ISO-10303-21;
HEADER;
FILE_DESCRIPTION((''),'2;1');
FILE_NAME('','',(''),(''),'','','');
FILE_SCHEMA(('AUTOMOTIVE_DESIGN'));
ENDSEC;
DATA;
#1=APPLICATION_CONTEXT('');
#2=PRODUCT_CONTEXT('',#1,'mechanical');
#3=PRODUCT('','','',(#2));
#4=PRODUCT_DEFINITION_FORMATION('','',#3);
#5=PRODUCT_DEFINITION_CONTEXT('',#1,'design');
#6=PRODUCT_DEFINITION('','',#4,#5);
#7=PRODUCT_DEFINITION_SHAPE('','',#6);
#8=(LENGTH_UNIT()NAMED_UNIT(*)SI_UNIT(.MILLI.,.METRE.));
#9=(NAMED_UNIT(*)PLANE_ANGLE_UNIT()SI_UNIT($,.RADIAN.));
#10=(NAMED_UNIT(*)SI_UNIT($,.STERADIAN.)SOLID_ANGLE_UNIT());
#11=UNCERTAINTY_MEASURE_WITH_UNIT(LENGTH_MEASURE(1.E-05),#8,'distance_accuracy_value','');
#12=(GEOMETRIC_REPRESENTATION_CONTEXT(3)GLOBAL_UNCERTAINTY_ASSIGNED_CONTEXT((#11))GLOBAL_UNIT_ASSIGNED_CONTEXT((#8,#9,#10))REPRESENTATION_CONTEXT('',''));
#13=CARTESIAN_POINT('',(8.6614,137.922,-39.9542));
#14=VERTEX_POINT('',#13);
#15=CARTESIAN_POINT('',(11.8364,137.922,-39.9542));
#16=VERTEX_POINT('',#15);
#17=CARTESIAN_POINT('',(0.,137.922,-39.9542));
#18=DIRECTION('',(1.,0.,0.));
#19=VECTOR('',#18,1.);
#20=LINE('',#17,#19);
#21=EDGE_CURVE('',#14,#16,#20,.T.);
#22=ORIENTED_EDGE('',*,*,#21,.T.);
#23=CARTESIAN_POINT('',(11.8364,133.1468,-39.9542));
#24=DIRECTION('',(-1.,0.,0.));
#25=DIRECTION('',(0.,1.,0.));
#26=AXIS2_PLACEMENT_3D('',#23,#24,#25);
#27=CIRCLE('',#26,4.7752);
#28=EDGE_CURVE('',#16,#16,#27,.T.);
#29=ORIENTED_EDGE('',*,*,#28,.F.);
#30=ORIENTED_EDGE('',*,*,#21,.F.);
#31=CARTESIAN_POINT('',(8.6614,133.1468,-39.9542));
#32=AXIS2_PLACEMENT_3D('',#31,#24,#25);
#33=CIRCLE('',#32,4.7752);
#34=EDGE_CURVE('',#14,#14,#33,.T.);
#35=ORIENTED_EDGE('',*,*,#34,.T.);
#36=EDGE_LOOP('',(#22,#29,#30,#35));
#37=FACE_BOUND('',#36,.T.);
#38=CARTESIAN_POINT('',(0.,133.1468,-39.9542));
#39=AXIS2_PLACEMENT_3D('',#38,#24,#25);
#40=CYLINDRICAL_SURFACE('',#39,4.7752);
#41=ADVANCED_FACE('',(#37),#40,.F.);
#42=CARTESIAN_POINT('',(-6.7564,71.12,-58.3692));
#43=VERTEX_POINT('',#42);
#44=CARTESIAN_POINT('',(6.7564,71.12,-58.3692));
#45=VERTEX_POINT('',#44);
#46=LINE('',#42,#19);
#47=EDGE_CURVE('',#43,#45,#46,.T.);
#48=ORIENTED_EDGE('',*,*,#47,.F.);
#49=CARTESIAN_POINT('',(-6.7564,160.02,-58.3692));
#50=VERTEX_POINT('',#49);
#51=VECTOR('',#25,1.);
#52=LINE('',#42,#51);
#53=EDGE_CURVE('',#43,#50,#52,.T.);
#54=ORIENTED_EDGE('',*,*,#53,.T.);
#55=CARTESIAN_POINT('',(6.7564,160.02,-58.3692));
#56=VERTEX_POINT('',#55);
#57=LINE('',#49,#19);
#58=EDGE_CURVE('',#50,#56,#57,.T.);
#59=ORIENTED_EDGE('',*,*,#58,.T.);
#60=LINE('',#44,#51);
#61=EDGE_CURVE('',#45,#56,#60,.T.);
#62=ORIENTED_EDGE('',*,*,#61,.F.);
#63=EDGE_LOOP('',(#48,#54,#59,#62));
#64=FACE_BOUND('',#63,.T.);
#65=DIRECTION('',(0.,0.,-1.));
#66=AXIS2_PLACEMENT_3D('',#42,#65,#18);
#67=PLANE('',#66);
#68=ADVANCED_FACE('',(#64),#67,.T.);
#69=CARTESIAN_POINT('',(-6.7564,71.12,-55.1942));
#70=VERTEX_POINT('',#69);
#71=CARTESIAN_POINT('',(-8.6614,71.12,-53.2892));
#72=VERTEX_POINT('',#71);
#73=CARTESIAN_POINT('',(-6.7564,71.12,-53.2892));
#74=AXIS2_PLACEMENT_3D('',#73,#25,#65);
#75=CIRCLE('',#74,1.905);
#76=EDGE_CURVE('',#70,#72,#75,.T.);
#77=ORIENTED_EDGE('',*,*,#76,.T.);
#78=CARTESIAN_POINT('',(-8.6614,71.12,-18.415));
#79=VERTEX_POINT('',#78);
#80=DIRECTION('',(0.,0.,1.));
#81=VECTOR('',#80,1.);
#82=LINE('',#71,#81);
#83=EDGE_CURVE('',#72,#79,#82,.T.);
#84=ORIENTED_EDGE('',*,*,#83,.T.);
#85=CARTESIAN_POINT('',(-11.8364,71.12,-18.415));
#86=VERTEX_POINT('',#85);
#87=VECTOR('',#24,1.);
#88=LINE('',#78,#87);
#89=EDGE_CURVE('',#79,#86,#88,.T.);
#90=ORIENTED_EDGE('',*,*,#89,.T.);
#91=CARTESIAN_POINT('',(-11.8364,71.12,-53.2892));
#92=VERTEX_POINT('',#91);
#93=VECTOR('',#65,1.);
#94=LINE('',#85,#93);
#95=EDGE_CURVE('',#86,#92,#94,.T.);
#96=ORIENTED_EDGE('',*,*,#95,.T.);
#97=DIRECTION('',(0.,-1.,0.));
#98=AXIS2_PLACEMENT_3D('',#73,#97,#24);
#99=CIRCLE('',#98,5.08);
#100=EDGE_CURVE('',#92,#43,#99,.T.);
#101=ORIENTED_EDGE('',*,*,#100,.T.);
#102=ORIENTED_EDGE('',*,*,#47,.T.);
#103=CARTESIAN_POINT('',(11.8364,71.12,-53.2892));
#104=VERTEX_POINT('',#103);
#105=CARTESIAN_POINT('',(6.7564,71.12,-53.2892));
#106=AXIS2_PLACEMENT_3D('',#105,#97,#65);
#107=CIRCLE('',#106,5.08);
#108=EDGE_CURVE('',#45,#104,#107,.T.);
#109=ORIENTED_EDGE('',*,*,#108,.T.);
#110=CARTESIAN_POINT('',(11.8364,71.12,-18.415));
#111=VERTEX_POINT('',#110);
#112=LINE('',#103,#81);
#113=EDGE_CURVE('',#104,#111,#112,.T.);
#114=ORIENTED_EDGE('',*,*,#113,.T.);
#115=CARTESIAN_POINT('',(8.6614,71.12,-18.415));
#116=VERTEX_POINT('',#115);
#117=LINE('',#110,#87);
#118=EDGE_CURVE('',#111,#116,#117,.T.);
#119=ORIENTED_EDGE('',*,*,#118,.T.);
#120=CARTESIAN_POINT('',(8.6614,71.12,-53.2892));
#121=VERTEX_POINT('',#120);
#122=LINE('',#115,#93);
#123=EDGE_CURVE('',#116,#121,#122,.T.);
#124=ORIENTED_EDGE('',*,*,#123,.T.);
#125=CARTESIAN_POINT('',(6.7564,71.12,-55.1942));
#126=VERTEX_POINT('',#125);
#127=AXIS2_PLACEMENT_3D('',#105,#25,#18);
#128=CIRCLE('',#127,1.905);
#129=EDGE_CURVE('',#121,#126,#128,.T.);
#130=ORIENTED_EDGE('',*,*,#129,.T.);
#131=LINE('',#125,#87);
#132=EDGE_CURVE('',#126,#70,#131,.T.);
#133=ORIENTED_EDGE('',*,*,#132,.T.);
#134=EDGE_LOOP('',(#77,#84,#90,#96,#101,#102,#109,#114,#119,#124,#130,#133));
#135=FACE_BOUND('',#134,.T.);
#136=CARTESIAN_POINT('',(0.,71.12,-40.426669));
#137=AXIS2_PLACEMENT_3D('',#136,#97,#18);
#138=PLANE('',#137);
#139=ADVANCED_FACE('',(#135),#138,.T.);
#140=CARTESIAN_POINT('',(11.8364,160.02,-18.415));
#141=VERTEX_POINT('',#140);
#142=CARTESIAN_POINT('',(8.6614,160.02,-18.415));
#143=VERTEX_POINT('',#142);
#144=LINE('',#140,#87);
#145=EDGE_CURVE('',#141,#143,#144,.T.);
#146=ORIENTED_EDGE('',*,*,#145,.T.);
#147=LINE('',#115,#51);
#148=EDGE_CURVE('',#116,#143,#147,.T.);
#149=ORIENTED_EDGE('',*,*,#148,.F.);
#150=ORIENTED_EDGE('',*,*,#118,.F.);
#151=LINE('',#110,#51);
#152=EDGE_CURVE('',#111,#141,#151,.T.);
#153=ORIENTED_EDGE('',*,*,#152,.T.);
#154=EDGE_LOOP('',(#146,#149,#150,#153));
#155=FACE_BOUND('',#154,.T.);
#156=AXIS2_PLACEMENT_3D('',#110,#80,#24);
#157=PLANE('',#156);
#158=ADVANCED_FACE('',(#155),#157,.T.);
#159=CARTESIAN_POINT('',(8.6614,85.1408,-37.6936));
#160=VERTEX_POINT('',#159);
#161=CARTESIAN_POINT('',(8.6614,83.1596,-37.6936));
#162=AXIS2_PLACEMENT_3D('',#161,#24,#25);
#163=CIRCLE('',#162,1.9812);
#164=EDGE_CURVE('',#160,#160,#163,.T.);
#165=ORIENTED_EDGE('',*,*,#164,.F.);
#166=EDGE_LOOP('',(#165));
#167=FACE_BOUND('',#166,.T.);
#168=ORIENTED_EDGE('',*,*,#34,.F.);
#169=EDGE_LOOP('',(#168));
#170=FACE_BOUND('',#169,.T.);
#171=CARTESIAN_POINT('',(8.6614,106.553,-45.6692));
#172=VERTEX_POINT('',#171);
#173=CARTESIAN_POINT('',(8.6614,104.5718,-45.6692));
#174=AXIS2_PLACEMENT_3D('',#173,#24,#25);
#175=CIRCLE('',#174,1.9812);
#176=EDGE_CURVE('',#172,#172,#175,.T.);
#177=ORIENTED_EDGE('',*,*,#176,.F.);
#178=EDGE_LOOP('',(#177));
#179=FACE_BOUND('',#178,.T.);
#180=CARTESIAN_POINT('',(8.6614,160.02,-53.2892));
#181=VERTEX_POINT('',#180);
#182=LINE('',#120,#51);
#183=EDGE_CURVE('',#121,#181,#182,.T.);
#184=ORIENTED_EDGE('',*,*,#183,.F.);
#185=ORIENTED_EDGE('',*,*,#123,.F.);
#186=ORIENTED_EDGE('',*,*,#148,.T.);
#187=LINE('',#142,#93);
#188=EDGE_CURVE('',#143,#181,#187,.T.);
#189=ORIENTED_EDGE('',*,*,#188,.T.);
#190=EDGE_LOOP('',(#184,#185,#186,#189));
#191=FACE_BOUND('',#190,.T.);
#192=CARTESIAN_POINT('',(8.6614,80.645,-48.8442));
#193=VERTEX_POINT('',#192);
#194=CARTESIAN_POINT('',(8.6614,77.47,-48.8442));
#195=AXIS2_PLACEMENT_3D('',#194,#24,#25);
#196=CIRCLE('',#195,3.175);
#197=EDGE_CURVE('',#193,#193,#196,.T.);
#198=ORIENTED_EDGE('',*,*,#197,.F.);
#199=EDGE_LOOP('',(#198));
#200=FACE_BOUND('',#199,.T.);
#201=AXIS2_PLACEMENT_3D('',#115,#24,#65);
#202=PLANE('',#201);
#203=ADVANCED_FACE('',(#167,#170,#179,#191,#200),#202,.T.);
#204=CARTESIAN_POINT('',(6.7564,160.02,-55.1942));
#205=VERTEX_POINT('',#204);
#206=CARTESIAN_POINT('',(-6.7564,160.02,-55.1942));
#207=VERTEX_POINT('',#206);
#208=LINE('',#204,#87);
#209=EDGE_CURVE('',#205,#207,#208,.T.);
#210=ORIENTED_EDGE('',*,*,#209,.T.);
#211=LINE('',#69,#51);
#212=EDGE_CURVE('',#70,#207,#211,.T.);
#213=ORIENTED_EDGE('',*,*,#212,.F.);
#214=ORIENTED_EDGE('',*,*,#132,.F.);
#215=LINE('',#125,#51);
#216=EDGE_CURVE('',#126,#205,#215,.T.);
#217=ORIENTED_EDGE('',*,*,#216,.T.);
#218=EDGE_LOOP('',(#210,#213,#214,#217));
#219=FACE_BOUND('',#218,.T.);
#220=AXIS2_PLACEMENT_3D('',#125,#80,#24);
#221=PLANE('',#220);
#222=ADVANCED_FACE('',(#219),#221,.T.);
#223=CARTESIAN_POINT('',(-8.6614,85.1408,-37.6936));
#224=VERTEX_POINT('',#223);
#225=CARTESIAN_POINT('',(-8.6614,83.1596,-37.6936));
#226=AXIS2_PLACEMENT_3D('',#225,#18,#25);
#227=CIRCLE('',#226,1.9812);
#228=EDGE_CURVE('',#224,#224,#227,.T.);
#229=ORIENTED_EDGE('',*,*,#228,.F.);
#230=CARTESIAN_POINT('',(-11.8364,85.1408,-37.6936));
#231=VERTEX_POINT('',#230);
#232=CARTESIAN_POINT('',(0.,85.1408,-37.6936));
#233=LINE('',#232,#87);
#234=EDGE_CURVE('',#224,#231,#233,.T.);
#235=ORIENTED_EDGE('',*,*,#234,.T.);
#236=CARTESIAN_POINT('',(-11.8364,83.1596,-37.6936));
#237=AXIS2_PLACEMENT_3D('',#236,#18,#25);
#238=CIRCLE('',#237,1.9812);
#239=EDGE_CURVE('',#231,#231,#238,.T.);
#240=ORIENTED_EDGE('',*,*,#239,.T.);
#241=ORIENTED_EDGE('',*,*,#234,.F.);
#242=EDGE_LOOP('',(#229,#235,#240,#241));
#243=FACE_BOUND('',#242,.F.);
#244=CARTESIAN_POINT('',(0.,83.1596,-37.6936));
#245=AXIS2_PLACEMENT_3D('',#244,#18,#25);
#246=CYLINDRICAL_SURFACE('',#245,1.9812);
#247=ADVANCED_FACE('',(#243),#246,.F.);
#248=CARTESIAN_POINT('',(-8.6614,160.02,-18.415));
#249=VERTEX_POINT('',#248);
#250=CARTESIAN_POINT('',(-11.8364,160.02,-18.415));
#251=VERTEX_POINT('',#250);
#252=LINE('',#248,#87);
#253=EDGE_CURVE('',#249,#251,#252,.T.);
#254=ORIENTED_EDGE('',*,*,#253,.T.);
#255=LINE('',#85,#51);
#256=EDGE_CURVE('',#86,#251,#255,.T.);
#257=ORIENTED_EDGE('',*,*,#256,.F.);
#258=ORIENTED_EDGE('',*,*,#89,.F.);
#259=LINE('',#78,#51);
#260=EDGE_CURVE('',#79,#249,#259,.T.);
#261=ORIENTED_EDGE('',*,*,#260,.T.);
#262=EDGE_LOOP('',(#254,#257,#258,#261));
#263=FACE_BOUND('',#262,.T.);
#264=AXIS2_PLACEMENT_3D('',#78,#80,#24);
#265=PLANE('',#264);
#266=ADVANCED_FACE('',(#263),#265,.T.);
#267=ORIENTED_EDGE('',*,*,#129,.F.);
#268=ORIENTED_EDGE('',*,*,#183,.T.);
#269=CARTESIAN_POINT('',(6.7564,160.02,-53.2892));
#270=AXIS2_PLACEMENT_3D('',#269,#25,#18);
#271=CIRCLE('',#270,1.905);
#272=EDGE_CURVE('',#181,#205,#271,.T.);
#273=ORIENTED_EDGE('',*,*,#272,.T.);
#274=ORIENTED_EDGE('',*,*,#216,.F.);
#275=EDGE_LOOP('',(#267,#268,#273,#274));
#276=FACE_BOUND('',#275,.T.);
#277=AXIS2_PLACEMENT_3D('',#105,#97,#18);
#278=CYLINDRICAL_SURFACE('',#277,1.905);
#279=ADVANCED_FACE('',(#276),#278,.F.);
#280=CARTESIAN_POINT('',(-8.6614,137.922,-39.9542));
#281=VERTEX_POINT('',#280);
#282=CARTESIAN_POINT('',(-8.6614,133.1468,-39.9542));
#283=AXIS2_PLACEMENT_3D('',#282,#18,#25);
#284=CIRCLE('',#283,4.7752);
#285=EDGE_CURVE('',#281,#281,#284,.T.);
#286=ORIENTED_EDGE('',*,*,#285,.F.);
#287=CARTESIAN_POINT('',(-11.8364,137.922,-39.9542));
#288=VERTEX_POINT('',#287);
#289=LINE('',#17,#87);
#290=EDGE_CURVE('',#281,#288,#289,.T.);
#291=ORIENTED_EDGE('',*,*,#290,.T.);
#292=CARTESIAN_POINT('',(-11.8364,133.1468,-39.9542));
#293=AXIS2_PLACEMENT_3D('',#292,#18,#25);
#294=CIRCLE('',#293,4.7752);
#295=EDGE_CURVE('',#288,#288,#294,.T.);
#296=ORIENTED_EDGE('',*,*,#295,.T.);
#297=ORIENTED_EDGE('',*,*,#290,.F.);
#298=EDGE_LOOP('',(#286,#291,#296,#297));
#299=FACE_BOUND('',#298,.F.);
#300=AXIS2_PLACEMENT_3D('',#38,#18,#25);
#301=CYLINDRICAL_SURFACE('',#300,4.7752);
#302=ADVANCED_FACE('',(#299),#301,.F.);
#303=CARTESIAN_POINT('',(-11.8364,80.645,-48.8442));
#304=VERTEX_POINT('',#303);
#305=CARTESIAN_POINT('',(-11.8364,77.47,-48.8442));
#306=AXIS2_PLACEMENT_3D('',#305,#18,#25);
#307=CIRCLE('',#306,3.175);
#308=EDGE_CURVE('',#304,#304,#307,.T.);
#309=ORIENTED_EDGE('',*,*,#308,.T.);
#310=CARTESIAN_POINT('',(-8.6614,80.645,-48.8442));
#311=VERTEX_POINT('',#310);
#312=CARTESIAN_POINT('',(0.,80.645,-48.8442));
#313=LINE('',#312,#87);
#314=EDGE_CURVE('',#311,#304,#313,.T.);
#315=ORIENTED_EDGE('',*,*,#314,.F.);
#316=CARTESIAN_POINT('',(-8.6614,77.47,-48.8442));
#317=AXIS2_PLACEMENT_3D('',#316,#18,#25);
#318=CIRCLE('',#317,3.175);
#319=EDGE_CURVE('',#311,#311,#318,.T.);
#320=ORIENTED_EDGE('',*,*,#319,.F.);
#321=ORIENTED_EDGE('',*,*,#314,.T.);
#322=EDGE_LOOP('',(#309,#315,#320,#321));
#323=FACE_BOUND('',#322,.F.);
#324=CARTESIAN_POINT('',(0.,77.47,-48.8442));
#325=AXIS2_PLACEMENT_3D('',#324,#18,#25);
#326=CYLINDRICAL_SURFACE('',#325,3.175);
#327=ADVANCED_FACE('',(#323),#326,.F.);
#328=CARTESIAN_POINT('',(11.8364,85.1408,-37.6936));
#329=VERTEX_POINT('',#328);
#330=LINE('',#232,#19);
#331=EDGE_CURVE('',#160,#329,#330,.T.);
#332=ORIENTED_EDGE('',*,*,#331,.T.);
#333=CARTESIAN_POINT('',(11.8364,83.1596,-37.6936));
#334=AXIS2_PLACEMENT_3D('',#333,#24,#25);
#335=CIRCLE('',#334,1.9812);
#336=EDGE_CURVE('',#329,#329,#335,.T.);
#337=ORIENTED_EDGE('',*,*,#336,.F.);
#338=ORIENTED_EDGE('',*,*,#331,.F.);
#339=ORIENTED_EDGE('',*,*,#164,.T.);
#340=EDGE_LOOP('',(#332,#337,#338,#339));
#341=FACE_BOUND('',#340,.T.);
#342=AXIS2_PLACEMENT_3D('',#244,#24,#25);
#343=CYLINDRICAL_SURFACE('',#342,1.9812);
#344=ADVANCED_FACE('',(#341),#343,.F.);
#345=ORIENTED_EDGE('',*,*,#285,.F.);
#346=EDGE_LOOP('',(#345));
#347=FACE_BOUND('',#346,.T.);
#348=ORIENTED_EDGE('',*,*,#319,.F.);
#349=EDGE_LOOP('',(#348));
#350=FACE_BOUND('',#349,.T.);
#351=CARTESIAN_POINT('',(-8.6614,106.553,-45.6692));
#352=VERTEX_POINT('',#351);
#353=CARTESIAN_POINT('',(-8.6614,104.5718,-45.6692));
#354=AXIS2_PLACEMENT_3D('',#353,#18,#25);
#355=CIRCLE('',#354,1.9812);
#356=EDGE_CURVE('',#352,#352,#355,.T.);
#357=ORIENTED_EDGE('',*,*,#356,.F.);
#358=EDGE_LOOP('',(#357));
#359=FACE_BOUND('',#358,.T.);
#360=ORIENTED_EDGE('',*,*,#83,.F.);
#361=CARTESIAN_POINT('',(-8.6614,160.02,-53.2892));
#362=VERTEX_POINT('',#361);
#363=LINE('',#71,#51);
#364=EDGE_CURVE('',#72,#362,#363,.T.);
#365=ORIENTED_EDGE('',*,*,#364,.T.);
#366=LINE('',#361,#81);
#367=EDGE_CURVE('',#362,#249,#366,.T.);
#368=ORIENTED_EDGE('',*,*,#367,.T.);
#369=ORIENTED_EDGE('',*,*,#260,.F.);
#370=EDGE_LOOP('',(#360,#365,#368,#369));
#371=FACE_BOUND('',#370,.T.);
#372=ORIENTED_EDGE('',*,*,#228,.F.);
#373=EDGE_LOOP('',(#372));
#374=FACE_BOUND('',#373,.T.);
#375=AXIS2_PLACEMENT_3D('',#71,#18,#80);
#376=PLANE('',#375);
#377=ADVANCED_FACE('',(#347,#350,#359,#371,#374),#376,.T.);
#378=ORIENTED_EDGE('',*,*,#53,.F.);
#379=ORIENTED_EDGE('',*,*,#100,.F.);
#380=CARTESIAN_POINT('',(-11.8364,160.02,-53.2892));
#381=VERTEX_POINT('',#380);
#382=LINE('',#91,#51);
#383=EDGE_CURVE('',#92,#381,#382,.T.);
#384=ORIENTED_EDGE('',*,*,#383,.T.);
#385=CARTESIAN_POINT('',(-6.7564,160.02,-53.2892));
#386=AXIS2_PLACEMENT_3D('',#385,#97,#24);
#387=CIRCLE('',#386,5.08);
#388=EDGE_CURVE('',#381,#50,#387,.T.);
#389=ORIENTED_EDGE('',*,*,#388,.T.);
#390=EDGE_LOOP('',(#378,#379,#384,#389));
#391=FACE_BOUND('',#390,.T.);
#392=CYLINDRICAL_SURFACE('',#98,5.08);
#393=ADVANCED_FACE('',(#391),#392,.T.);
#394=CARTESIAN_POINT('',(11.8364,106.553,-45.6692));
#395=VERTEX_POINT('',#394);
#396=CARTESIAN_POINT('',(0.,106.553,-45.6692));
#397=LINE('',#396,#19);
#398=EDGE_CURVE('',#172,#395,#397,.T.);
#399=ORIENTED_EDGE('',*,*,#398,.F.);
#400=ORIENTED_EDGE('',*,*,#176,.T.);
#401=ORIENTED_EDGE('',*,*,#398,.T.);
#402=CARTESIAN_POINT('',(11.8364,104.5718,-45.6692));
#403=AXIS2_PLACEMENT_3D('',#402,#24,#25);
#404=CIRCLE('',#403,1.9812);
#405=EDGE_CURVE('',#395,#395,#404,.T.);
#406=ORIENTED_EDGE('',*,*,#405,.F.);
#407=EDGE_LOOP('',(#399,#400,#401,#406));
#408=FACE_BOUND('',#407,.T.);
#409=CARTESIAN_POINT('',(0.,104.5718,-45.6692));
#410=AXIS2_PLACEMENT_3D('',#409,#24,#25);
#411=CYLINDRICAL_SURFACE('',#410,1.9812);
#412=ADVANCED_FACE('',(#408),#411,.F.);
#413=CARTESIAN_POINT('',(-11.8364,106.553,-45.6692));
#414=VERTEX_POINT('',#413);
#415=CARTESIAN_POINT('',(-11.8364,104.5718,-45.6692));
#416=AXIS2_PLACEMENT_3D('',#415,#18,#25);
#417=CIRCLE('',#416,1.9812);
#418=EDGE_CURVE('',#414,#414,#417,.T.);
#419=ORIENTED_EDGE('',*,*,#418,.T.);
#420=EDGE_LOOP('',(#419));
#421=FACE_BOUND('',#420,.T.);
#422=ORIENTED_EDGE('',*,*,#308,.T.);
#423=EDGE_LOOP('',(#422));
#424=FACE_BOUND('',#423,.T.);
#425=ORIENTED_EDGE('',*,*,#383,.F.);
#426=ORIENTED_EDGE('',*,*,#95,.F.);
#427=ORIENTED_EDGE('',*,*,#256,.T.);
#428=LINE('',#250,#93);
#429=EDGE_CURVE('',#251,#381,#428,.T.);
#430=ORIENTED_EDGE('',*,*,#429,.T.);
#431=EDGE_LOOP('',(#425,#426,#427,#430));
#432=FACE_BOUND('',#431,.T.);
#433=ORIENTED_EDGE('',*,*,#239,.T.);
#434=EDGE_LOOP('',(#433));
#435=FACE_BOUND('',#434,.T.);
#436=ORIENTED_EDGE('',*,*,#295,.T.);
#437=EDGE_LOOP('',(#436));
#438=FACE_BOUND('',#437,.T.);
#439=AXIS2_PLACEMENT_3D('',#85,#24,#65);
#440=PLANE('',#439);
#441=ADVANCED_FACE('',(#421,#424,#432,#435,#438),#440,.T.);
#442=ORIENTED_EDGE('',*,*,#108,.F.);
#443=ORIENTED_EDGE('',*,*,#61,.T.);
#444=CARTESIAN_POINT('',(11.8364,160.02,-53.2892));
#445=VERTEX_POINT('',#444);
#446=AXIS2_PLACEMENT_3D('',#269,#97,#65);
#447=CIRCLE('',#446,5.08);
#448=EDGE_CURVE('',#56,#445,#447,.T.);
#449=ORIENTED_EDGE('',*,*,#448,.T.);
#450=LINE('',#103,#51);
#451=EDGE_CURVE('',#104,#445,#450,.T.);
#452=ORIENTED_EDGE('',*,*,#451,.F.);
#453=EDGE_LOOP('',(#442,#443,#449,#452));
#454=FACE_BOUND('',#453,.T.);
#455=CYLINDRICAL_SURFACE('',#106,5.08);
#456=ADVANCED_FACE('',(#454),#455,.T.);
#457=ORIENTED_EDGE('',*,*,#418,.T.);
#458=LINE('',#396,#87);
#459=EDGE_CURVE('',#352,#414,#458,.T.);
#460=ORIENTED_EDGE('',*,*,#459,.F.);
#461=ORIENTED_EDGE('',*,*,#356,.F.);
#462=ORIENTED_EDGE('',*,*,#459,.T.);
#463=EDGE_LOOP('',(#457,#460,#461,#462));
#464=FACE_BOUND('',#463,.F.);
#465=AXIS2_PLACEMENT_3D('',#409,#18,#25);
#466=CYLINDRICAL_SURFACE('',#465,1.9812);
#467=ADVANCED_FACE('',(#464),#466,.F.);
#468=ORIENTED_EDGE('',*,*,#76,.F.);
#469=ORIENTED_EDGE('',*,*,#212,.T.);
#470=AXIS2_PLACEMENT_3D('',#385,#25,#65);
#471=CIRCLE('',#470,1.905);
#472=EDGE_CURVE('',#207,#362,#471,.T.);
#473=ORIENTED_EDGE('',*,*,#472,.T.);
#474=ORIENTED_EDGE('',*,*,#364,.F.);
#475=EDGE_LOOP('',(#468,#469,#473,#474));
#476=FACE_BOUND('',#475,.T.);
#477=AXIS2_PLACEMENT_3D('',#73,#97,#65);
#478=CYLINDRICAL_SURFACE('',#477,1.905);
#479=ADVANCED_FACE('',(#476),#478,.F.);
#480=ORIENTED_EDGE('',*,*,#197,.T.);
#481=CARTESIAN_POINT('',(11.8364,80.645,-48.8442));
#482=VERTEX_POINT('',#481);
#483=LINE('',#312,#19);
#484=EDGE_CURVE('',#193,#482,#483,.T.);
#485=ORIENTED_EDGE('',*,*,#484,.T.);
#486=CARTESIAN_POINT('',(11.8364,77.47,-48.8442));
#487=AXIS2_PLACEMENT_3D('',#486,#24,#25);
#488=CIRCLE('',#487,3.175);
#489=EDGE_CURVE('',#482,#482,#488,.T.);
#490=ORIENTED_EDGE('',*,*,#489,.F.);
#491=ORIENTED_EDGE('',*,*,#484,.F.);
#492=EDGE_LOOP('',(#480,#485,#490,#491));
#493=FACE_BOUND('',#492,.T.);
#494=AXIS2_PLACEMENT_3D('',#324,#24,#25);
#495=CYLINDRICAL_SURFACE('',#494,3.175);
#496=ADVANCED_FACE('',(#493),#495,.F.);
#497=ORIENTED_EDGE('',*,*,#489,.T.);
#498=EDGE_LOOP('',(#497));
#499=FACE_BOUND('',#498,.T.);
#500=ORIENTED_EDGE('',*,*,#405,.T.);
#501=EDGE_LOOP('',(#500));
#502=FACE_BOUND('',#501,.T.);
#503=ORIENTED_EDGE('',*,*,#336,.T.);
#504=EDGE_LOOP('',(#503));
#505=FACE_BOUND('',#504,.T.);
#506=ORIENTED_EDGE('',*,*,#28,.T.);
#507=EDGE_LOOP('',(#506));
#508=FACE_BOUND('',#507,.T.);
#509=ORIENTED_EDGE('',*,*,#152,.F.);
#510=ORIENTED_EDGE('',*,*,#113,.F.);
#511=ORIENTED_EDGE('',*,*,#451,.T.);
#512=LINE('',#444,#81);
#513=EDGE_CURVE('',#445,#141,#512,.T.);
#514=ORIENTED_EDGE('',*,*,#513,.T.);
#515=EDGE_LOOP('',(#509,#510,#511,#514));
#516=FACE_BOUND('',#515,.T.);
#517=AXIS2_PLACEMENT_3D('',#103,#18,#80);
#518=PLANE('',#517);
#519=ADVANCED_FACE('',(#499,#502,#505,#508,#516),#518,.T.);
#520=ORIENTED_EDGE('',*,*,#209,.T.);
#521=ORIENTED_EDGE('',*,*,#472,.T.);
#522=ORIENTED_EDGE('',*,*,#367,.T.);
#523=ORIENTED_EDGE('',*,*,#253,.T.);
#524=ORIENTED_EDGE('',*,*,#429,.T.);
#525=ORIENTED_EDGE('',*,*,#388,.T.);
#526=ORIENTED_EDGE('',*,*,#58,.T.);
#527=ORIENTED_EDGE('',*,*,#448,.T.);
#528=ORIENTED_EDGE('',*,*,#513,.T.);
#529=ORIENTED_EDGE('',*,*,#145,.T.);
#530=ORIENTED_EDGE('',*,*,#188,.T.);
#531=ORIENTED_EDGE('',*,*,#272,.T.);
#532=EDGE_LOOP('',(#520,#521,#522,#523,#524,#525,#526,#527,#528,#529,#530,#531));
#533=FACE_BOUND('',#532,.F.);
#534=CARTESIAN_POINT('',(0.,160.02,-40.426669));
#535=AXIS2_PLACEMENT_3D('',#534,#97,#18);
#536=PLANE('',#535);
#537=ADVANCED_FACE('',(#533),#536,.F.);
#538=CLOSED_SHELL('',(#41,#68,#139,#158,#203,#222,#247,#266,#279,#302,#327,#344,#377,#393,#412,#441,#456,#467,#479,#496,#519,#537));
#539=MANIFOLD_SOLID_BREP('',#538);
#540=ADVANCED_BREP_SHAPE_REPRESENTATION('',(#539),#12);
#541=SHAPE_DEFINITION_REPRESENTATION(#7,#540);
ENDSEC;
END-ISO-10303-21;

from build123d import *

# Parameters (mm, degrees)
F2_START      = -71.12
F2_DEPTH      = 88.9
F0_R          = 3.175
F0_R_2        = 1.9812
F0_R_3        = 4.7752
F3_DEPTH      = 25.4
F3_DEPTH_BACK = 25.4


with BuildPart() as f2:
    # F1 (on Front) → F2 (new body)
    with BuildSketch(Plane.XZ.offset(F2_START)):
        with BuildLine():
            Line((-8.6614, -53.2892), (-8.6614, -18.415))
            Line((-8.6614, -18.415), (-11.8364, -18.415))
            Line((-11.8364, -18.415), (-11.8364, -53.2892))
            ThreePointArc((-11.8364, -53.2892), (-10.3485024484, -56.8813024484), (-6.7564, -58.3692))
            Line((-6.7564, -58.3692), (0, -58.3692))
            Line((0, -58.3692), (6.7564, -58.3692))
            ThreePointArc((6.7564, -58.3692), (10.3485024484, -56.8813024484), (11.8364, -53.2892))
            Line((11.8364, -53.2892), (11.8364, -18.415))
            Line((11.8364, -18.415), (8.6614, -18.415))
            Line((8.6614, -18.415), (8.6614, -53.2892))
            ThreePointArc((8.6614, -53.2892), (8.1034384182, -54.6362384182), (6.7564, -55.1942))
            Line((6.7564, -55.1942), (0, -55.1942))
            Line((0, -55.1942), (-6.7564, -55.1942))
            ThreePointArc((-6.7564, -55.1942), (-8.1034384182, -54.6362384182), (-8.6614, -53.2892))
        make_face()
    extrude(amount=-F2_DEPTH)

    # F0 (on Right) → F3 (cut, two sides)
    with BuildSketch(Plane.YZ) as f3_sk:
        with Locations((77.47, -48.8442)):
            Circle(F0_R)
        with Locations((83.1596, -37.6936)):
            Circle(F0_R_2)
        with Locations((104.5718, -45.6692)):
            Circle(F0_R_2)
        with Locations((133.1468, -39.9542)):
            Circle(F0_R_3)
    extrude(amount=F3_DEPTH, mode=Mode.SUBTRACT)
    extrude(f3_sk.sketch, amount=-F3_DEPTH_BACK, mode=Mode.SUBTRACT)


solid = f2.part
